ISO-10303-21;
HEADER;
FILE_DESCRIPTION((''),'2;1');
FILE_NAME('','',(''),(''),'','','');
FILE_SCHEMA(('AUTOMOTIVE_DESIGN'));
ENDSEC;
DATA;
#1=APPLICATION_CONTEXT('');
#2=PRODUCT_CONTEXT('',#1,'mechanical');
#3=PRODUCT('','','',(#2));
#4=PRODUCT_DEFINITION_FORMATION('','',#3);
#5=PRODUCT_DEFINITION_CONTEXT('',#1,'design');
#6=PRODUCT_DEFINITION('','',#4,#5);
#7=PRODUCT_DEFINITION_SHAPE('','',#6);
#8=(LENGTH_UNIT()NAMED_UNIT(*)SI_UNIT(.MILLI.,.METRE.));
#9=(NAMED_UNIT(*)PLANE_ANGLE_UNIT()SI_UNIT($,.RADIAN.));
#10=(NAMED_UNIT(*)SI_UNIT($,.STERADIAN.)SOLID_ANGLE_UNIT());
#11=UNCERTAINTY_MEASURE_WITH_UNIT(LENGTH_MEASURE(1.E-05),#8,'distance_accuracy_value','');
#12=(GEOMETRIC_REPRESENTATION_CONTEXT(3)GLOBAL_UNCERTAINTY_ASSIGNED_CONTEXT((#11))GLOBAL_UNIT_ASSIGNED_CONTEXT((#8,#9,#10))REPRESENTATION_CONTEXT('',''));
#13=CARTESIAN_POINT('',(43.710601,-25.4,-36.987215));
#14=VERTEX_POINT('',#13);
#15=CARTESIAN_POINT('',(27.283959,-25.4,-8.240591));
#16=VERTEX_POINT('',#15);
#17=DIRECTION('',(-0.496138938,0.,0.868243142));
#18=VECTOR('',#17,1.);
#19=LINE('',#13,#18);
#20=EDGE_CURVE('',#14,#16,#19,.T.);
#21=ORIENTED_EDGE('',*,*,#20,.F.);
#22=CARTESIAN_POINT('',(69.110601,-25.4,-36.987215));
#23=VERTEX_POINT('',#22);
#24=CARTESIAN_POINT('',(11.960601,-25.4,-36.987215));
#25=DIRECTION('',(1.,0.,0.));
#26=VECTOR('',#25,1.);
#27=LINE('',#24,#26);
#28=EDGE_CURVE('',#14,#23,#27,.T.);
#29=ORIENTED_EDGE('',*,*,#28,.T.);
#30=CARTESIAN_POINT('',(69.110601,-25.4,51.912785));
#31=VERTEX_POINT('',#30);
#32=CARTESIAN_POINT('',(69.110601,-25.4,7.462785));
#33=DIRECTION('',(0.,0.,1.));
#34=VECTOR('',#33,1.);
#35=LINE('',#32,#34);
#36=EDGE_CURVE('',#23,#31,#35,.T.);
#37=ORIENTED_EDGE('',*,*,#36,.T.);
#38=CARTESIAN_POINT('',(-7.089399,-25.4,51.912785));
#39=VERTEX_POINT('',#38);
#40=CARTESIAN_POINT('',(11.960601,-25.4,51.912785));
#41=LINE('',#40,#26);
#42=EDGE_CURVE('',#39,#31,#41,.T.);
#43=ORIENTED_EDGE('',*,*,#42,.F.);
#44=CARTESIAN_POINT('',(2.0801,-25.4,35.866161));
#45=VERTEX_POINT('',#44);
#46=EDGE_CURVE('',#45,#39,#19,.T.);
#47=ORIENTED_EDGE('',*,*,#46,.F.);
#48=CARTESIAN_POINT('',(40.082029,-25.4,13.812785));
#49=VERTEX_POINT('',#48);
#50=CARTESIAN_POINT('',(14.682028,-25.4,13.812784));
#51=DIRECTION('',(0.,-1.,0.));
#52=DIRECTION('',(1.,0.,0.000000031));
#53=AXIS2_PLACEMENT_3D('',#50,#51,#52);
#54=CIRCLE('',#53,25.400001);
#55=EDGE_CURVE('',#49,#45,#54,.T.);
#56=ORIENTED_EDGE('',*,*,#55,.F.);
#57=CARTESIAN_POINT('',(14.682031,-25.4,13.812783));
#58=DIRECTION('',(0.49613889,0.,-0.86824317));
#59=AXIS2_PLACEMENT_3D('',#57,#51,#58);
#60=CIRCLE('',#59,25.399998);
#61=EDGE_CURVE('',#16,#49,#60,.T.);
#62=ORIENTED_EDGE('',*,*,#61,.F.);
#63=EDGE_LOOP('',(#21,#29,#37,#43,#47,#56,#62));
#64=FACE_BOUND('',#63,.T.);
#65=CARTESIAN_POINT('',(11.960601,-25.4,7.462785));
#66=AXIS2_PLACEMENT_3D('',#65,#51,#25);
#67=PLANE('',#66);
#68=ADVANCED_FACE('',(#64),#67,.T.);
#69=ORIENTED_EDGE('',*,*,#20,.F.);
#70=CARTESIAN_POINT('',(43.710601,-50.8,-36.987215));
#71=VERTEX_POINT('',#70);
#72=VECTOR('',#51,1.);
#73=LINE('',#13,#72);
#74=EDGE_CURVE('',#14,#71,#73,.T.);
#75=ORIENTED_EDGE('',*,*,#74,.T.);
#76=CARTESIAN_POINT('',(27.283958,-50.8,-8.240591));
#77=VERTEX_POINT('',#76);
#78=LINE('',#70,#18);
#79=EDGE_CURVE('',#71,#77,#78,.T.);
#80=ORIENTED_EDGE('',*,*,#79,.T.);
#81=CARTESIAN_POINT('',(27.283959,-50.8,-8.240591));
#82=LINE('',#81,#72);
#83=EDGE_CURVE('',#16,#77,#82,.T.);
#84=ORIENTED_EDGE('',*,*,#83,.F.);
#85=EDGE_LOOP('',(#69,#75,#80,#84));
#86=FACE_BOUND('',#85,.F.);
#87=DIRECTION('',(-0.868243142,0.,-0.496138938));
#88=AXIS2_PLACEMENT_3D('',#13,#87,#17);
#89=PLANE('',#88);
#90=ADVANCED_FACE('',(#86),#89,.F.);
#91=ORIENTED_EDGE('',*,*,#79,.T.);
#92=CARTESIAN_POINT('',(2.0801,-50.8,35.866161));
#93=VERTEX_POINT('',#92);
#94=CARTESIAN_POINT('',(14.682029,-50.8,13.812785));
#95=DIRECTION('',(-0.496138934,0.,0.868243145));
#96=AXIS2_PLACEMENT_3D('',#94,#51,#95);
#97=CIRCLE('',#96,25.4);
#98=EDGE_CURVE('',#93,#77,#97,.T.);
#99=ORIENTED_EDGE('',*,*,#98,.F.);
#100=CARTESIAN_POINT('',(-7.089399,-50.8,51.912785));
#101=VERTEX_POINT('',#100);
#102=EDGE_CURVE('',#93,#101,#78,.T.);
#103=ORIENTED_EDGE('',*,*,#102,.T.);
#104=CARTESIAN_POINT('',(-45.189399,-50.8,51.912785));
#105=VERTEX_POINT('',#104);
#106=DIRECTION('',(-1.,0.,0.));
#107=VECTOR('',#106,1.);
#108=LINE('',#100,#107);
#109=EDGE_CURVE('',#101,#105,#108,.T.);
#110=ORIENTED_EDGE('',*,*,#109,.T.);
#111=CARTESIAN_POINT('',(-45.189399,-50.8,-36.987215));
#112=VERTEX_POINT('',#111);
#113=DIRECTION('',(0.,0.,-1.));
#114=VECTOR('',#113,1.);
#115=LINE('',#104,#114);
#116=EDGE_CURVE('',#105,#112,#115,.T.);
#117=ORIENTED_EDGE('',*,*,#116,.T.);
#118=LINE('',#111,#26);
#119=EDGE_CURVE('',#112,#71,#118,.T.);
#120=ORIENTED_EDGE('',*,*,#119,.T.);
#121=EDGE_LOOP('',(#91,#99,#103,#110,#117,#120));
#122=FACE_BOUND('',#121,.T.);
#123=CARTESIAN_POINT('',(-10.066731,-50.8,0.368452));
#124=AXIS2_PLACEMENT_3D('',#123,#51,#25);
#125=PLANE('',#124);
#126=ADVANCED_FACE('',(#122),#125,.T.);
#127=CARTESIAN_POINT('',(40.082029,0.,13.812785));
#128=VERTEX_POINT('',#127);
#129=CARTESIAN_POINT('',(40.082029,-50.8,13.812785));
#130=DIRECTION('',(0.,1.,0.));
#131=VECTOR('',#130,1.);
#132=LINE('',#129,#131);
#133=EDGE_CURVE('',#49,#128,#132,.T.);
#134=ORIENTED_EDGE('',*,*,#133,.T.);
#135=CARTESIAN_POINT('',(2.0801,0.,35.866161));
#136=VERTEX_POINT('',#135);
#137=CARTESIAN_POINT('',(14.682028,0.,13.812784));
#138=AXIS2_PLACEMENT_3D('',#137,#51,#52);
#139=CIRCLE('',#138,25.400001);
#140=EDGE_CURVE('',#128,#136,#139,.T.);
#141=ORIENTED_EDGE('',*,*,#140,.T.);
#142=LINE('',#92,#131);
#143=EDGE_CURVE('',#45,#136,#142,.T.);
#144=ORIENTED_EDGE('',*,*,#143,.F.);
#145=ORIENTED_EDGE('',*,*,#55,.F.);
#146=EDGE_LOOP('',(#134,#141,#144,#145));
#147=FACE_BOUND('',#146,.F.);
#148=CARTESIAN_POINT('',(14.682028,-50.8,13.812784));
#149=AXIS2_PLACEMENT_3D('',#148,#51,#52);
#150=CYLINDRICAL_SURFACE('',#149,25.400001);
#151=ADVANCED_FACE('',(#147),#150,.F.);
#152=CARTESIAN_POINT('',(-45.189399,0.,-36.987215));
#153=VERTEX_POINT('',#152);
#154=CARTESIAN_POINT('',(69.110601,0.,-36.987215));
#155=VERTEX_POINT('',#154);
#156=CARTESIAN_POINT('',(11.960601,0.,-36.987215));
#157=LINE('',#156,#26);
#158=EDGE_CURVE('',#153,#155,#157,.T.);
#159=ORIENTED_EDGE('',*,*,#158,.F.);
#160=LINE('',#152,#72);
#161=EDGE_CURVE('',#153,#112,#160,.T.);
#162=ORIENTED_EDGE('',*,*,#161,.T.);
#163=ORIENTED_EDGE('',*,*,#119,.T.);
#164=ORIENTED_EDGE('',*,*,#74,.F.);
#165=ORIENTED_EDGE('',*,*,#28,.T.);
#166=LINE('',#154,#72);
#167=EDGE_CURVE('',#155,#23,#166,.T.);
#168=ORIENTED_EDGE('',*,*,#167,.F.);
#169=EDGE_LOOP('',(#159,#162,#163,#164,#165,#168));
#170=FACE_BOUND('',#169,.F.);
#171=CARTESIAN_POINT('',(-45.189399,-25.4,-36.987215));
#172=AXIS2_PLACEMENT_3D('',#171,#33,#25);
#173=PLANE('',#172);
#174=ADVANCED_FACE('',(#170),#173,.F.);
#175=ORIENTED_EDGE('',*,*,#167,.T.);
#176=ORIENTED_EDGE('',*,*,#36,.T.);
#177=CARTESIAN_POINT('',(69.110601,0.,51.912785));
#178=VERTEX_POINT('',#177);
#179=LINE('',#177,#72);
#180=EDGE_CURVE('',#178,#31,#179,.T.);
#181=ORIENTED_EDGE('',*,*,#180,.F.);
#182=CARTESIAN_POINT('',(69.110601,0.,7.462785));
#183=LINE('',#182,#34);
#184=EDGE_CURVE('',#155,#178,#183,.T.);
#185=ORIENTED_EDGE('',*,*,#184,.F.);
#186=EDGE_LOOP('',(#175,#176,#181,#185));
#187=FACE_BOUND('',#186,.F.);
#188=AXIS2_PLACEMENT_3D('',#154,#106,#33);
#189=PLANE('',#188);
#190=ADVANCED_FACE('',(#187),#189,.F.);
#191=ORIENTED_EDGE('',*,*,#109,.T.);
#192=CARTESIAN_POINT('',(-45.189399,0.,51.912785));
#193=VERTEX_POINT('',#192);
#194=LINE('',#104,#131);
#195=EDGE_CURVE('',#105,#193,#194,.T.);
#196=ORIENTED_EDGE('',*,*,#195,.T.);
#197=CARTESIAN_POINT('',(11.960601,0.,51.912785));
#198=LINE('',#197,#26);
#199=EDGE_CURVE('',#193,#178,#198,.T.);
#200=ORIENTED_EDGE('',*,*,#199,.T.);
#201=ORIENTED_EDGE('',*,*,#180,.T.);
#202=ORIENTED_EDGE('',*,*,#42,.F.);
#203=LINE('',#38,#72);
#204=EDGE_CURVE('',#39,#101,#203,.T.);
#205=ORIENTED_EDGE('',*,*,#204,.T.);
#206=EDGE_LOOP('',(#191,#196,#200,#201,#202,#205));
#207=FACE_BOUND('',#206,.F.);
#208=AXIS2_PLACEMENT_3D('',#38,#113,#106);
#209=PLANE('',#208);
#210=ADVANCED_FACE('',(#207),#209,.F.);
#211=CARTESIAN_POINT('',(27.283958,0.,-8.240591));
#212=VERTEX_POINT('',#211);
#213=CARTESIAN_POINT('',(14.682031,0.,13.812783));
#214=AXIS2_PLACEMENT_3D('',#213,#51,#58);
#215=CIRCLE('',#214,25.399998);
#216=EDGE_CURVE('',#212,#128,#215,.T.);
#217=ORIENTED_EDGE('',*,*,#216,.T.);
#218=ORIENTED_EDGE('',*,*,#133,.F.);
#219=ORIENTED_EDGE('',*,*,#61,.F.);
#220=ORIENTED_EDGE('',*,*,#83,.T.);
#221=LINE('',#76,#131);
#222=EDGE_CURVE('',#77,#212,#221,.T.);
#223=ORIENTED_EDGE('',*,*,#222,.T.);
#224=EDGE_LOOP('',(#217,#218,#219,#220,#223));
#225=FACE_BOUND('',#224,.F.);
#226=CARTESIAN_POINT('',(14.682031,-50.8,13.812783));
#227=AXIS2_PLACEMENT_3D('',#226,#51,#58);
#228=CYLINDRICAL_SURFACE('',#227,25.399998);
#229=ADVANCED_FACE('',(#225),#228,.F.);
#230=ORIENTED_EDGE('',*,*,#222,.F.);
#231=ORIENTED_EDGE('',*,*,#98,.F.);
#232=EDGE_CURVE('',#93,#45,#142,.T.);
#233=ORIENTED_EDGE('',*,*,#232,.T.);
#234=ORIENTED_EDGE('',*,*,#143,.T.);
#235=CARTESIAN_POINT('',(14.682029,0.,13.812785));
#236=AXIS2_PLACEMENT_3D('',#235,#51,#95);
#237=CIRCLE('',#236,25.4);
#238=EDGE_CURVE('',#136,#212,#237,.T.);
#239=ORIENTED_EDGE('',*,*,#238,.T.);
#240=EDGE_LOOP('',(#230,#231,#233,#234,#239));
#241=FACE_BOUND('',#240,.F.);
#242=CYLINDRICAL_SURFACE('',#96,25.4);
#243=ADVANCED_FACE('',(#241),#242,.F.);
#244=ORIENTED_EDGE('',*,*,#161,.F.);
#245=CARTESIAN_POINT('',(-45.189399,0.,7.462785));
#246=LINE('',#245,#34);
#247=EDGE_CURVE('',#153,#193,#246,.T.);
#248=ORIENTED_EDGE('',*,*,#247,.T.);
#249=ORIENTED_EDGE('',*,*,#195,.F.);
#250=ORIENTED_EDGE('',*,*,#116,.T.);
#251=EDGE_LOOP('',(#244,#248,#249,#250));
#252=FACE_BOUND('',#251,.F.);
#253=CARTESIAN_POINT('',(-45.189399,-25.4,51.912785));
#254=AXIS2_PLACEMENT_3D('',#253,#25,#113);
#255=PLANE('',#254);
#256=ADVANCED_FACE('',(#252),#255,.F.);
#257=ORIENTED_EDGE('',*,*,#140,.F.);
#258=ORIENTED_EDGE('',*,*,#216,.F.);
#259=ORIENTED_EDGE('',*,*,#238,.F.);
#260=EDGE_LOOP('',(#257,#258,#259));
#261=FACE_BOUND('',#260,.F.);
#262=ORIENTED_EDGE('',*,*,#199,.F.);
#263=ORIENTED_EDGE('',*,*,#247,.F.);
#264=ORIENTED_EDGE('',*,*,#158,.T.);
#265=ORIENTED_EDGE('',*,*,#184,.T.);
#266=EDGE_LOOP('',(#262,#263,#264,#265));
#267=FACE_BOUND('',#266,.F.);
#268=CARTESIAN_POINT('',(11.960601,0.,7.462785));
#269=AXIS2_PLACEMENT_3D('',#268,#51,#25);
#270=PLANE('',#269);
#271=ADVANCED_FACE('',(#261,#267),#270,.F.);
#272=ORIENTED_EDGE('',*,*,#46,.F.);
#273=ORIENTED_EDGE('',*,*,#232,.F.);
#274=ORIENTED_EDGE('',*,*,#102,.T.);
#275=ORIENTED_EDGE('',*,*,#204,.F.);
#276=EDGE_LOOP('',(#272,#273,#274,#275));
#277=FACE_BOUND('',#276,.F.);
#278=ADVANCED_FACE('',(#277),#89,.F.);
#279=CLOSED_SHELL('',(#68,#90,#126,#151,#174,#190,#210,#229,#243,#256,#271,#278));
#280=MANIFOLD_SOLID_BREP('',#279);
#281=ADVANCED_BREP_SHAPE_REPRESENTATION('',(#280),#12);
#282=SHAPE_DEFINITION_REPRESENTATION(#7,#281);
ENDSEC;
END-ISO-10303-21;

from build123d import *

# Parameters (mm, degrees)
F0_W     = 114.3
F0_H     = 88.9
F1_DEPTH = 25.4
F3_DEPTH = 25.4
F5_DEPTH = 50.8


with BuildPart() as f1:
    # F0 (on Front) → F1 (new body)
    with BuildSketch(Plane.XZ):
        with Locations((11.960601, 7.462785)):
            Rectangle(F0_W, F0_H)
    extrude(amount=F1_DEPTH)

    # F2 (on face) → F3 (join)
    with BuildSketch(Plane.XZ.offset(25.4)):
        Polygon((-45.189399, 51.912785), (-45.189399, -36.987215), (43.710601, -36.987215), (-7.089399, 51.912785), align=None)
    extrude(amount=F3_DEPTH)

    # F4 (on face) → F5 (cut)
    with BuildSketch(Plane.XZ.offset(50.8)):
        with BuildLine():
            ThreePointArc((27.283958, -8.240591), (36.650746, 1.063844), (40.082029, 13.812785))
            ThreePointArc((40.082029, 13.812785), (27.43097, 35.781501), (2.0801, 35.866161))
            Line((2.0801, 35.866161), (27.283958, -8.240591))
        make_face()
        with BuildLine():
            Line((27.283958, -8.240591), (2.0801, 35.866161))
            ThreePointArc((2.0801, 35.866161), (-7.371347, 1.210856), (27.283958, -8.240591))
        make_face()
    extrude(amount=-F5_DEPTH, mode=Mode.SUBTRACT)


solid = f1.part
